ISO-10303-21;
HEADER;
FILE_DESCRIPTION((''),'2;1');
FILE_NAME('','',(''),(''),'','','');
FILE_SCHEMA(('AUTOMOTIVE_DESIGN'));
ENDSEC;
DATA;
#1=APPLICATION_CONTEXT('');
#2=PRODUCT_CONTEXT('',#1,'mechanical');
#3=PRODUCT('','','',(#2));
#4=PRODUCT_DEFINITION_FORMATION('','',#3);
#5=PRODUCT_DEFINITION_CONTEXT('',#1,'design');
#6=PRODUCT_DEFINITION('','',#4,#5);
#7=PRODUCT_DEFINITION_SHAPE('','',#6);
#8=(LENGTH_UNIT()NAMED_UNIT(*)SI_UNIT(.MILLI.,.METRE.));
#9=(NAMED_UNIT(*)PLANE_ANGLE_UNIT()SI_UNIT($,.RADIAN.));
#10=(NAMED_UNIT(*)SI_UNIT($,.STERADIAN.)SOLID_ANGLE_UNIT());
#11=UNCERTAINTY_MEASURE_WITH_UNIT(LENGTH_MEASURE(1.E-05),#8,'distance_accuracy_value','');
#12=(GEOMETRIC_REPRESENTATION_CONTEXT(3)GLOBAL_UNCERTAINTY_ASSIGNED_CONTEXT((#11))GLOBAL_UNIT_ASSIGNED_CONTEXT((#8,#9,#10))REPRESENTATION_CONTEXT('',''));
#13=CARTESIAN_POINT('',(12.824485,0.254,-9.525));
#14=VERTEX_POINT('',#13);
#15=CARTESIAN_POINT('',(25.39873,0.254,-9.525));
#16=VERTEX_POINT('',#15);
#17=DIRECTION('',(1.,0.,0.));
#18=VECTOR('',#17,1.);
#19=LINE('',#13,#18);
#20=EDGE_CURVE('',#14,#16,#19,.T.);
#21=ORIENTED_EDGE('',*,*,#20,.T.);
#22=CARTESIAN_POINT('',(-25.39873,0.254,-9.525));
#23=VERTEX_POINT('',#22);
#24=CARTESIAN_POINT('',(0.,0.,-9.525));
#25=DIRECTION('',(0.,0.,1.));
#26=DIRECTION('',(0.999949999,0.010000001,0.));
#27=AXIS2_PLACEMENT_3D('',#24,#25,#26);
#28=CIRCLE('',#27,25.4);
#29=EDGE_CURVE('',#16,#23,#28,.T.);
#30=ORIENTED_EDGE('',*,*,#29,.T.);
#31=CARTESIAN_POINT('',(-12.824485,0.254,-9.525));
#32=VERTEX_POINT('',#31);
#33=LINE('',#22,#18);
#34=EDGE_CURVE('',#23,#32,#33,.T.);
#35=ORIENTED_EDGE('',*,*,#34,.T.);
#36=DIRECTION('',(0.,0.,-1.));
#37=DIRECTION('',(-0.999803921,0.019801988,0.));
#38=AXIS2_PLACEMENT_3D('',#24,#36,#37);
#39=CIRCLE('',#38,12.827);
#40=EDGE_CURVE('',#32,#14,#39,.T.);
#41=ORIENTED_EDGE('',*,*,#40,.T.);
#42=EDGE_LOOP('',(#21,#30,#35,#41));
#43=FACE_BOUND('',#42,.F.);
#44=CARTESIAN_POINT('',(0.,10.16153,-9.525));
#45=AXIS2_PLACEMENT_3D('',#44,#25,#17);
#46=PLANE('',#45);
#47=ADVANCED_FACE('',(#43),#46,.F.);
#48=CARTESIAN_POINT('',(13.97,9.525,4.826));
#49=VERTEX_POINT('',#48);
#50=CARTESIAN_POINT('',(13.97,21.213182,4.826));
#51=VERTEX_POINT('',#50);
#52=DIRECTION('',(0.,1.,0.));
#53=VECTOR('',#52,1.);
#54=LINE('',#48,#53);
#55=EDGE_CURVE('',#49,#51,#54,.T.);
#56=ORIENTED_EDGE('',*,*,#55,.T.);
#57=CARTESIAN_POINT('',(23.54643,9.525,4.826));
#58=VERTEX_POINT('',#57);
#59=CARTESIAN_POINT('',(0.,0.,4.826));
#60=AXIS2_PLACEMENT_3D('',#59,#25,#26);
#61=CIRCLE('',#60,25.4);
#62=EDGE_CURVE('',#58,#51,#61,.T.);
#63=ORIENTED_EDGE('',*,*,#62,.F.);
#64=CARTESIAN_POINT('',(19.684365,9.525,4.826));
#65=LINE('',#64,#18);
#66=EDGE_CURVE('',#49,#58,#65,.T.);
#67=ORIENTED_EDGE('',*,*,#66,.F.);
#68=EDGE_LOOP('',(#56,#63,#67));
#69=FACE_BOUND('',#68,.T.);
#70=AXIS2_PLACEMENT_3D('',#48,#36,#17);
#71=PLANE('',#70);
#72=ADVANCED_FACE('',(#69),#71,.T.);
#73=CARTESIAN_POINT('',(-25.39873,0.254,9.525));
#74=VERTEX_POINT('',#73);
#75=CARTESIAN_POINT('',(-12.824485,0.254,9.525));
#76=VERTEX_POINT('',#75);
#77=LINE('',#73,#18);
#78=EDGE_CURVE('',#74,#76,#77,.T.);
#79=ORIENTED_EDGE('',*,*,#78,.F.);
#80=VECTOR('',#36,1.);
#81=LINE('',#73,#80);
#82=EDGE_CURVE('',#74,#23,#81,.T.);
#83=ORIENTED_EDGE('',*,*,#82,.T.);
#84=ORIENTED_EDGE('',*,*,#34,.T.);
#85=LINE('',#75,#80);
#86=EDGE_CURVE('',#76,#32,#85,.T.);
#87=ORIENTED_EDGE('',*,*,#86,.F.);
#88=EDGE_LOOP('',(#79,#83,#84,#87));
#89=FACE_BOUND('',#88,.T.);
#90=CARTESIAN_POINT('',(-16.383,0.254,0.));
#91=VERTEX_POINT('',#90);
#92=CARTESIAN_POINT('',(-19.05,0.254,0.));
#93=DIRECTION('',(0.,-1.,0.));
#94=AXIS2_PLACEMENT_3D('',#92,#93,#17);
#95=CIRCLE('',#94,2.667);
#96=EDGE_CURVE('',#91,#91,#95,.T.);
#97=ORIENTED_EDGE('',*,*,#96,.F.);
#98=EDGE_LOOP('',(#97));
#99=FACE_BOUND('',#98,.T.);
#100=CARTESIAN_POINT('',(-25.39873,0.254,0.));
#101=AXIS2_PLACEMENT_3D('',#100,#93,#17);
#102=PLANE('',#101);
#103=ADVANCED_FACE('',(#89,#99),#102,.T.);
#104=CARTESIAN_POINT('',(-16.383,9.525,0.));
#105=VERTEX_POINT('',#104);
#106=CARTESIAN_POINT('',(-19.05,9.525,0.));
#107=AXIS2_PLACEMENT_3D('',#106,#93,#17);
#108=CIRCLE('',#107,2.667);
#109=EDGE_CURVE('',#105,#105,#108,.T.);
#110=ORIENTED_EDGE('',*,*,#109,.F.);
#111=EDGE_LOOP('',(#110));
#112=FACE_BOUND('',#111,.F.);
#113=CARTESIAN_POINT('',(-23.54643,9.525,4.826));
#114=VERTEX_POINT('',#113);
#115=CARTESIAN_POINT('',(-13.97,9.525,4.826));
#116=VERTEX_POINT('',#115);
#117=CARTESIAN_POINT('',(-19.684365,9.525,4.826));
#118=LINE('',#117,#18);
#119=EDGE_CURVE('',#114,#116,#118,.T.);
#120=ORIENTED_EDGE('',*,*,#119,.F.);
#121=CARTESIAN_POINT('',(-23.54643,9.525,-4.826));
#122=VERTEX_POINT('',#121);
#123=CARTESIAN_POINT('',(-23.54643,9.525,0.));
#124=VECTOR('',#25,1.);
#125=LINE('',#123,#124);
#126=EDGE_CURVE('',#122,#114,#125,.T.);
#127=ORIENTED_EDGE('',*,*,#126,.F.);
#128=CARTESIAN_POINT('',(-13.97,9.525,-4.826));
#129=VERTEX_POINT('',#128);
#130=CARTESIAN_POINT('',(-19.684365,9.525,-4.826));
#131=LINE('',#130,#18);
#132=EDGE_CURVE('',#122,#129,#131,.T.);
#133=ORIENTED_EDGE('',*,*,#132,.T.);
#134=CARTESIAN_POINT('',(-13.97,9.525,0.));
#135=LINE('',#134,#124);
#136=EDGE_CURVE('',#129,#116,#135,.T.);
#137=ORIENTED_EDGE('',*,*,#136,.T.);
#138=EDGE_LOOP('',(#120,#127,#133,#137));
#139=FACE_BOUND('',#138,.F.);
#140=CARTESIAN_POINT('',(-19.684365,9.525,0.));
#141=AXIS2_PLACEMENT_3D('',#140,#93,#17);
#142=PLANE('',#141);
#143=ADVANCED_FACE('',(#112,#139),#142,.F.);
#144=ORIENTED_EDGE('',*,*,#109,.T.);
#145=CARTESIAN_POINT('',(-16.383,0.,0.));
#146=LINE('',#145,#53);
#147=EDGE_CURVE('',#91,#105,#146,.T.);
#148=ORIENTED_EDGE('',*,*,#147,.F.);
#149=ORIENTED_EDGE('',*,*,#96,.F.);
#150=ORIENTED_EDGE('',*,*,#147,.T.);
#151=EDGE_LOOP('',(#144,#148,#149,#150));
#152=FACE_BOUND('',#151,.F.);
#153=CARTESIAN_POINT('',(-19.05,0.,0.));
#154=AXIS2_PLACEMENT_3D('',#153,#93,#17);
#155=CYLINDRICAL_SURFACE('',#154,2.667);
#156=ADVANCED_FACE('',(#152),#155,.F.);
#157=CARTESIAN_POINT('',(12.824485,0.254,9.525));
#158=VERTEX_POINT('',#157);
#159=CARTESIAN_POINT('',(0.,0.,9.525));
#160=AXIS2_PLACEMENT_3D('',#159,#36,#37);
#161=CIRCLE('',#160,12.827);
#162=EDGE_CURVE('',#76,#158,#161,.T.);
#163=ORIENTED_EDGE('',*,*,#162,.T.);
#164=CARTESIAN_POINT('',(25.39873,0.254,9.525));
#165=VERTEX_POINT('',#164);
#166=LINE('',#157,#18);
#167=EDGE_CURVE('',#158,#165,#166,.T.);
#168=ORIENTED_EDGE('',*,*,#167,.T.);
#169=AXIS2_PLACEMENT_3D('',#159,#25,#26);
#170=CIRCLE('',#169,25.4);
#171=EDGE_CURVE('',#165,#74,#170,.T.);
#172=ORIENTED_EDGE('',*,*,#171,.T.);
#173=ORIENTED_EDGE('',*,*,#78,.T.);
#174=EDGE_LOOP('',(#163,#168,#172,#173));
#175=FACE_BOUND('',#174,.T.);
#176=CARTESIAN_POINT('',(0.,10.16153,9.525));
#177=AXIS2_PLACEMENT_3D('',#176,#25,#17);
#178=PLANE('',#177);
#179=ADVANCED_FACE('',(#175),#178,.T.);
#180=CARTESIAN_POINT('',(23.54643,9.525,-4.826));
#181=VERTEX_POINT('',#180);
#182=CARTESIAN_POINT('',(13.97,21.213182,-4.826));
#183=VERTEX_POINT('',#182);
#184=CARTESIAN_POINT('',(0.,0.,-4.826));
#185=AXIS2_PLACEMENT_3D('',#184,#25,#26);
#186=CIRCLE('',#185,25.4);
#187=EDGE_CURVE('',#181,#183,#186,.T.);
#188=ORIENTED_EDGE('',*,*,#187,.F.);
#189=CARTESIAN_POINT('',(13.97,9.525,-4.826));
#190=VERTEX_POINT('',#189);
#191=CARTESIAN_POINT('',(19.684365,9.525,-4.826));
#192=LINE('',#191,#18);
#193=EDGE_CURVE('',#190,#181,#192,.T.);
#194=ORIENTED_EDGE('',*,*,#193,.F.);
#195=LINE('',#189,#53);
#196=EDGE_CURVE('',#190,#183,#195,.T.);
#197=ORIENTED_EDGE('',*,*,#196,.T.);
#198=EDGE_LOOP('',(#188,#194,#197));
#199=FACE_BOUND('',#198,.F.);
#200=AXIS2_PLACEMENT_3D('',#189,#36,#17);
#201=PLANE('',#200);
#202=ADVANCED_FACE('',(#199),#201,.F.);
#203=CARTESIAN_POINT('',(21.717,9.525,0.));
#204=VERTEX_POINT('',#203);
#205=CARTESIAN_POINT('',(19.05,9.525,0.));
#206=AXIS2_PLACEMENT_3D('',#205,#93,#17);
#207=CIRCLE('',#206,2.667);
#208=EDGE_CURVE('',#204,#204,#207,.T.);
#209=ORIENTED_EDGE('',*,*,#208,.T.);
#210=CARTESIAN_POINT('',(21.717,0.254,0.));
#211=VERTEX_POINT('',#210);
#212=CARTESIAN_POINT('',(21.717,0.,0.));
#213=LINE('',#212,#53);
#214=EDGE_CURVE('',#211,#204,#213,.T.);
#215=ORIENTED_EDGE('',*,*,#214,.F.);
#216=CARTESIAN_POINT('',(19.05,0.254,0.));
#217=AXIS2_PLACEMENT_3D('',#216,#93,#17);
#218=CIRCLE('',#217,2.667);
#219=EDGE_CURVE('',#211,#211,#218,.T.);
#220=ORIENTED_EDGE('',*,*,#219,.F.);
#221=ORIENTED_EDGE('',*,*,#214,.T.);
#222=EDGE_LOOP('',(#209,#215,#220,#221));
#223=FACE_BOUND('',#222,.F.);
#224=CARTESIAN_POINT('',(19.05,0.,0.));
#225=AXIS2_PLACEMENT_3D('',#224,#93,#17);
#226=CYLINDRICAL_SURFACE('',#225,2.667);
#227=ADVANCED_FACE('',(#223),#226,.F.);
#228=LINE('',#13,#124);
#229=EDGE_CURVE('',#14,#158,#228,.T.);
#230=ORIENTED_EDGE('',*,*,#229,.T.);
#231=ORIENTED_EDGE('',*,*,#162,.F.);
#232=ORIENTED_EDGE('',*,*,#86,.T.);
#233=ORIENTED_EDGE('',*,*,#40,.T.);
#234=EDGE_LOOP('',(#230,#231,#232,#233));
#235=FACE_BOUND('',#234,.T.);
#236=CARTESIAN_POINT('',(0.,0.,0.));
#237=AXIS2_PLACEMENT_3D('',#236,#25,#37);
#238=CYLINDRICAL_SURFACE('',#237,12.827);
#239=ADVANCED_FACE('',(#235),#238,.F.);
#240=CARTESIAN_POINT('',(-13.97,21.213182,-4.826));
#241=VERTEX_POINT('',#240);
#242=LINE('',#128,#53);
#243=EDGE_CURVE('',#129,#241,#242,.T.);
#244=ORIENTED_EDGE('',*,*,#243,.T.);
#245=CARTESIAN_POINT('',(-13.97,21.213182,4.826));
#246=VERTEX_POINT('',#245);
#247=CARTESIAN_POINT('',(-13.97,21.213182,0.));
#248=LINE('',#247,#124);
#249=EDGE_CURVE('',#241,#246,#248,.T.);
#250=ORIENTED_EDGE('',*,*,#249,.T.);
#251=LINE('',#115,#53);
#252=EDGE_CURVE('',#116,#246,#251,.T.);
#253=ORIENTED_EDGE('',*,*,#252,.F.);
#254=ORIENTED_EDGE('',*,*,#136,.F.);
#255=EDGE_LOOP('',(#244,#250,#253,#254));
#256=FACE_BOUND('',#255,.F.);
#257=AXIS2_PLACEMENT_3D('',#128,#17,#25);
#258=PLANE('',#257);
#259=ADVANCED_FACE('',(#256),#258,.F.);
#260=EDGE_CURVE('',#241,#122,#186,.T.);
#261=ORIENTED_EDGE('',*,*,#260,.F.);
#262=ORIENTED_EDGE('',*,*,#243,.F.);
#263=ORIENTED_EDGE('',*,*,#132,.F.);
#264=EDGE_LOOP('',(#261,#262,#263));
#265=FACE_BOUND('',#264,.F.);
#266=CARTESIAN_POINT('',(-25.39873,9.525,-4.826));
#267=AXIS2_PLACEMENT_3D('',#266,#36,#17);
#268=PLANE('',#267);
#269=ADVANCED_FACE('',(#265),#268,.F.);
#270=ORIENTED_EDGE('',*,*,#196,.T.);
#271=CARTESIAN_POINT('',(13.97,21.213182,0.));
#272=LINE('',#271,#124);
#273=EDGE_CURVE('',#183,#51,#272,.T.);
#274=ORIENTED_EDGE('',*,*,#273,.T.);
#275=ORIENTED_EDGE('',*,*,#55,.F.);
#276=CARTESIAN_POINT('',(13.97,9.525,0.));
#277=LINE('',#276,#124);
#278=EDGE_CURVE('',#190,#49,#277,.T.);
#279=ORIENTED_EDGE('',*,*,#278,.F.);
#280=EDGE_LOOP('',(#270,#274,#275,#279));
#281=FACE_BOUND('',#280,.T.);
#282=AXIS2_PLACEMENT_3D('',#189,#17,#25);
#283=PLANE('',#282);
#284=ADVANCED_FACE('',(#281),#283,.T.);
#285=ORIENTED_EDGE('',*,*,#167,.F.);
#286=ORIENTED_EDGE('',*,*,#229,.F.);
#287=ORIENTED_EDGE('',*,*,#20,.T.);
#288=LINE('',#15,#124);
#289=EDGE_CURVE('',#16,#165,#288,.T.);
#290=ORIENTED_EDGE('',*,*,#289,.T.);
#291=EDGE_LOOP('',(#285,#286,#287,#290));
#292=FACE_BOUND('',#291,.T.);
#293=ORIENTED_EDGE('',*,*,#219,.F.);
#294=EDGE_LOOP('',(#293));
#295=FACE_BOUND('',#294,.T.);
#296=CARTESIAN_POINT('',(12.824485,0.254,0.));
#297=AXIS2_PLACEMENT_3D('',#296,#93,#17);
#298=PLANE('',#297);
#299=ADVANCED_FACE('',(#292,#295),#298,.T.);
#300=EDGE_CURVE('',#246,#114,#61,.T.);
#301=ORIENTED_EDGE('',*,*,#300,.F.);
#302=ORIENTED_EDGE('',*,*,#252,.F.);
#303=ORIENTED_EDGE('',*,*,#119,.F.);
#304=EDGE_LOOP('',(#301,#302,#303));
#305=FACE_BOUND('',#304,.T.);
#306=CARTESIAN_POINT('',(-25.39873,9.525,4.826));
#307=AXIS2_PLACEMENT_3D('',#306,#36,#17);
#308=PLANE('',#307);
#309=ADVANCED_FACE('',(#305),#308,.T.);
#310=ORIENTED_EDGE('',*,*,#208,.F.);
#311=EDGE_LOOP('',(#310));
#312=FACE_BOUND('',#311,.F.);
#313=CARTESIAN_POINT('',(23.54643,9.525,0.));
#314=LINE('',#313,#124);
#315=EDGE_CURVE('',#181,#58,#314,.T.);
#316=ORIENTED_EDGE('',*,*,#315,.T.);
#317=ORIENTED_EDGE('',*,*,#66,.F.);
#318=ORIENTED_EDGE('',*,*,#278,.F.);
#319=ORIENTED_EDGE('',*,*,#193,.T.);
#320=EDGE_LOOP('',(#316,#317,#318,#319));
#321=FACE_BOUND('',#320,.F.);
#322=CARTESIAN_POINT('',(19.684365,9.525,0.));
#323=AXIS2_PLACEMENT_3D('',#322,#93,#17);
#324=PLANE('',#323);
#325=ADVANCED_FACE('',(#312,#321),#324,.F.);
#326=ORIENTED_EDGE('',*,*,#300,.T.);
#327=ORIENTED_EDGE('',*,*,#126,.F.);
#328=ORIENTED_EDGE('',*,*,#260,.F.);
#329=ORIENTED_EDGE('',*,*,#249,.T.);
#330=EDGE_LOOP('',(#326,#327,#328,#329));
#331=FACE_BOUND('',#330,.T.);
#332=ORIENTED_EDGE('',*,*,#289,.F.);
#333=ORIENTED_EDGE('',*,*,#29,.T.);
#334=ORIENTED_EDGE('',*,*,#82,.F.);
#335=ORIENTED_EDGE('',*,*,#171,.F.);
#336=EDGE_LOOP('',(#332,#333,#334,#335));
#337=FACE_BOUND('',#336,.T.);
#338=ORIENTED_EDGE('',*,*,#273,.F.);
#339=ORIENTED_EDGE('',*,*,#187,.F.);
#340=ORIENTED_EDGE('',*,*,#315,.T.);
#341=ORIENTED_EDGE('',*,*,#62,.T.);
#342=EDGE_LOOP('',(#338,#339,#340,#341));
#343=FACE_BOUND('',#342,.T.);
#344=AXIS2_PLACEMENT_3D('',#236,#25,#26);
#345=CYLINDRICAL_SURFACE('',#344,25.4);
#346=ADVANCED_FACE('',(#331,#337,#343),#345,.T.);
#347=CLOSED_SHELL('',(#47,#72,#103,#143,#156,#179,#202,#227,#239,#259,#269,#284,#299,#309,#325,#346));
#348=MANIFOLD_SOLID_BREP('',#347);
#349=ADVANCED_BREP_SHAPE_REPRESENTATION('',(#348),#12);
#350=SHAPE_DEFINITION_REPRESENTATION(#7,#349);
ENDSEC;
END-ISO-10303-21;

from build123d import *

# Parameters (mm, degrees)
F1_DEPTH = 9.525
F2_R     = 2.667
F4_DEPTH = 25.401
F5_W     = 11.42873
F5_H     = 9.652
F6_DEPTH = 15.876


with BuildPart() as f1:
    # F0 (on Top) → F1 (new body, symmetric)
    with BuildSketch(Plane.XY):
        with BuildLine():
            ThreePointArc((-12.824485, 0.254), (0, 12.827), (12.824485, 0.254))
            Line((12.824485, 0.254), (25.39873, 0.254))
            ThreePointArc((25.39873, 0.254), (0, 25.4), (-25.39873, 0.254))
            Line((-25.39873, 0.254), (-12.824485, 0.254))
        make_face()
    extrude(amount=F1_DEPTH, both=True)

    # F2 (on Front) → F4 (cut, through all)
    with BuildSketch(Plane.XZ):
        with Locations((-19.05, 0)):
            Circle(F2_R)
        with Locations((19.05, 0)):
            Circle(F2_R)
    extrude(amount=-F4_DEPTH, mode=Mode.SUBTRACT)

    # F5 (on offset) → F6 (cut, through all)
    with BuildSketch(Plane.XZ.offset(-9.525)):
        with Locations((19.684365, 0)):
            Rectangle(F5_W, F5_H)
        with Locations((-19.684365, 0)):
            Rectangle(F5_W, F5_H)
    extrude(amount=-F6_DEPTH, mode=Mode.SUBTRACT)


solid = f1.part
